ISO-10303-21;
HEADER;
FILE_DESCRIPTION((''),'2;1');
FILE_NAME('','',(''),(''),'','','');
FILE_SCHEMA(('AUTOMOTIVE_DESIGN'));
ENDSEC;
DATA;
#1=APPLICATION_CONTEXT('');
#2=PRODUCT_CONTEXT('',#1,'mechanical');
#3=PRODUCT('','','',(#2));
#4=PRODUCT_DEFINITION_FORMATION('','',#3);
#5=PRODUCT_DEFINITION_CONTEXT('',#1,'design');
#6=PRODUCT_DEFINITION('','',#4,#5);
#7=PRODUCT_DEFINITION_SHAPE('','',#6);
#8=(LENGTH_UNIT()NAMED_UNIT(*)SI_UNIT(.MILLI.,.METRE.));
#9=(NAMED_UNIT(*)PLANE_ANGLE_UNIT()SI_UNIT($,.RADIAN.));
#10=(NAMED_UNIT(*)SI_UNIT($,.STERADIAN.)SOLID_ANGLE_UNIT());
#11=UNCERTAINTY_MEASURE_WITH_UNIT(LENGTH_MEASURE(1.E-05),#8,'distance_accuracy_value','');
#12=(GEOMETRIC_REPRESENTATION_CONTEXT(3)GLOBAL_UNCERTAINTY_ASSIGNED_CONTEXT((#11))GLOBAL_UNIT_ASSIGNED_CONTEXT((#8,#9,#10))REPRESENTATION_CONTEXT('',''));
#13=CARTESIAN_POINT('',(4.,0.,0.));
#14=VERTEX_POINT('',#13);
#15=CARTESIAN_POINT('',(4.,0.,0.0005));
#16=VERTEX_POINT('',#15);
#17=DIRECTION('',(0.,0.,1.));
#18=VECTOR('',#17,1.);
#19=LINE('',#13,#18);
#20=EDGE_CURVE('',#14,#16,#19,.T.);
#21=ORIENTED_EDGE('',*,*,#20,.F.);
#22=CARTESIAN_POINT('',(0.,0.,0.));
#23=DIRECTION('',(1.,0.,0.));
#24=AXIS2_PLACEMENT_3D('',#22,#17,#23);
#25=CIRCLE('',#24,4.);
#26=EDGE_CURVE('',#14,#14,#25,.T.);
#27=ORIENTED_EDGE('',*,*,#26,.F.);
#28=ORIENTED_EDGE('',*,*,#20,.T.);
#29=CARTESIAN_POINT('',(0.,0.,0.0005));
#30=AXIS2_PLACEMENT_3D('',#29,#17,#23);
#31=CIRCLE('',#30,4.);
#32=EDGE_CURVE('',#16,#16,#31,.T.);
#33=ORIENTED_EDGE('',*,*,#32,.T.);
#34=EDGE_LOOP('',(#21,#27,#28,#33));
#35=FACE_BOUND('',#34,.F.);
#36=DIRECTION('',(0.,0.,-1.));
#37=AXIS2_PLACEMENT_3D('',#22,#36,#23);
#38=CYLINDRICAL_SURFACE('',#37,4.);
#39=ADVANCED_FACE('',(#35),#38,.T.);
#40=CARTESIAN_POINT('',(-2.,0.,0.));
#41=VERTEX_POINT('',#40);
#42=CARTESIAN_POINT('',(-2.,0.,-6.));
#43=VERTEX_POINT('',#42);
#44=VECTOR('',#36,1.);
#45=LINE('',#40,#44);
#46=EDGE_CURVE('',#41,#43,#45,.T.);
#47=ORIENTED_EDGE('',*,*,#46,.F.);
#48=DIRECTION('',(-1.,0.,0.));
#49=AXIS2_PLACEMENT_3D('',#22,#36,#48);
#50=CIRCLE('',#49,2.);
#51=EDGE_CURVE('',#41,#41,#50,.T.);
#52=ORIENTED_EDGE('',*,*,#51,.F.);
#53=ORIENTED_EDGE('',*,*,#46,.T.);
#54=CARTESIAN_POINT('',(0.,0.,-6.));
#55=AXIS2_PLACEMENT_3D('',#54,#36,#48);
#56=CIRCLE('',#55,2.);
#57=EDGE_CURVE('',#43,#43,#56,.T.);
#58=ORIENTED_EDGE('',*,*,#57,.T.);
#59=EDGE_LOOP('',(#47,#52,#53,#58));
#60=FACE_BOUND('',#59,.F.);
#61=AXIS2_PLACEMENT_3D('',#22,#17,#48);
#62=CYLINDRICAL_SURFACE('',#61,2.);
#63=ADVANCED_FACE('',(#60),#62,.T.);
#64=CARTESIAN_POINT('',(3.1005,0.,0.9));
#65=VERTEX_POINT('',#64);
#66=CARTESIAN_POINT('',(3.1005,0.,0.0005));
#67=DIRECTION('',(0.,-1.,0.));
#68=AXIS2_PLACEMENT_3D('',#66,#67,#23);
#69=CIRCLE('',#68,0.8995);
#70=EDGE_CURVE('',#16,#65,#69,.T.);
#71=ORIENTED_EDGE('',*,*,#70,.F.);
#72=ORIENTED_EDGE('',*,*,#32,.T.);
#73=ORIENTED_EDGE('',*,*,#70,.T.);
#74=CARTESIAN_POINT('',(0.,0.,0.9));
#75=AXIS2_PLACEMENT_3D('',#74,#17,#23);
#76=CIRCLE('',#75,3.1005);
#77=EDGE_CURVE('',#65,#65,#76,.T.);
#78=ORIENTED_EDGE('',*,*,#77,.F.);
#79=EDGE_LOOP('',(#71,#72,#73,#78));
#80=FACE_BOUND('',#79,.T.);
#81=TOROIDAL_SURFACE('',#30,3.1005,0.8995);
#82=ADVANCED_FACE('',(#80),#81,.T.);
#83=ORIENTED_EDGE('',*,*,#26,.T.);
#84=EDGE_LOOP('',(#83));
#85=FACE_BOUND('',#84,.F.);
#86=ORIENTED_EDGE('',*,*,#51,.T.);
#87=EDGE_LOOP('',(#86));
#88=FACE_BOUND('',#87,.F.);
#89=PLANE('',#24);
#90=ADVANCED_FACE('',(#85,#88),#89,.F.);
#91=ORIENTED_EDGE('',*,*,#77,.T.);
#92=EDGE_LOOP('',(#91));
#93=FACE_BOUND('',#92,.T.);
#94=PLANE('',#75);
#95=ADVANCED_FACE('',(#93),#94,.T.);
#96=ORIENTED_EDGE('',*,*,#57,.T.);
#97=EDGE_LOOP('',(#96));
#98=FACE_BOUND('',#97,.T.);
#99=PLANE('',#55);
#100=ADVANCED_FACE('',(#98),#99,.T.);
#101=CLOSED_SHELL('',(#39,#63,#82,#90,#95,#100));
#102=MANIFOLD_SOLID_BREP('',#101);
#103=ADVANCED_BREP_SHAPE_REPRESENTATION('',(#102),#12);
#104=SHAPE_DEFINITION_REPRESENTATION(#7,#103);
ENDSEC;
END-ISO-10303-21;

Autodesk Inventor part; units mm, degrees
ref_plane "YZ Plane" through (0, 0, 0) normal (1, 0, 0) x (0, 1, 0)
ref_plane "XZ Plane" through (0, 0, 0) normal (0, 1, 0) x (-1, 0, 0)
ref_plane "XY Plane" through (0, 0, 0) normal (0, 0, 1) x (1, 0, 0)
sketch "スケッチ1" plane through (0, 0, 0) normal (0, 0, 1) x (1, 0, 0)
  circle A0 centre (0, 0) radius 4
  dimension "d0" = 8
extrude "押し出し1" add sketch "スケッチ1" along normal blind 0.9
sketch "スケッチ2" plane through (0, 0, 0) normal (0, 0, -1) x (-1, 0, 0)
  circle A0 centre (0, 0) radius 2
  dimension "d3" = 4
extrude "押し出し2" add sketch "スケッチ2" along normal blind 6
thread "ねじ1" size "M4x0.7" class "6g" standard "ANSI Metric M Profile" full length
fillet "フィレット1" radius 0.9 1 edges at (-4, 0, 0.9)
properties part number "ネジ低頭m4.06" material "鋼 AISI 4340 242 HR"
